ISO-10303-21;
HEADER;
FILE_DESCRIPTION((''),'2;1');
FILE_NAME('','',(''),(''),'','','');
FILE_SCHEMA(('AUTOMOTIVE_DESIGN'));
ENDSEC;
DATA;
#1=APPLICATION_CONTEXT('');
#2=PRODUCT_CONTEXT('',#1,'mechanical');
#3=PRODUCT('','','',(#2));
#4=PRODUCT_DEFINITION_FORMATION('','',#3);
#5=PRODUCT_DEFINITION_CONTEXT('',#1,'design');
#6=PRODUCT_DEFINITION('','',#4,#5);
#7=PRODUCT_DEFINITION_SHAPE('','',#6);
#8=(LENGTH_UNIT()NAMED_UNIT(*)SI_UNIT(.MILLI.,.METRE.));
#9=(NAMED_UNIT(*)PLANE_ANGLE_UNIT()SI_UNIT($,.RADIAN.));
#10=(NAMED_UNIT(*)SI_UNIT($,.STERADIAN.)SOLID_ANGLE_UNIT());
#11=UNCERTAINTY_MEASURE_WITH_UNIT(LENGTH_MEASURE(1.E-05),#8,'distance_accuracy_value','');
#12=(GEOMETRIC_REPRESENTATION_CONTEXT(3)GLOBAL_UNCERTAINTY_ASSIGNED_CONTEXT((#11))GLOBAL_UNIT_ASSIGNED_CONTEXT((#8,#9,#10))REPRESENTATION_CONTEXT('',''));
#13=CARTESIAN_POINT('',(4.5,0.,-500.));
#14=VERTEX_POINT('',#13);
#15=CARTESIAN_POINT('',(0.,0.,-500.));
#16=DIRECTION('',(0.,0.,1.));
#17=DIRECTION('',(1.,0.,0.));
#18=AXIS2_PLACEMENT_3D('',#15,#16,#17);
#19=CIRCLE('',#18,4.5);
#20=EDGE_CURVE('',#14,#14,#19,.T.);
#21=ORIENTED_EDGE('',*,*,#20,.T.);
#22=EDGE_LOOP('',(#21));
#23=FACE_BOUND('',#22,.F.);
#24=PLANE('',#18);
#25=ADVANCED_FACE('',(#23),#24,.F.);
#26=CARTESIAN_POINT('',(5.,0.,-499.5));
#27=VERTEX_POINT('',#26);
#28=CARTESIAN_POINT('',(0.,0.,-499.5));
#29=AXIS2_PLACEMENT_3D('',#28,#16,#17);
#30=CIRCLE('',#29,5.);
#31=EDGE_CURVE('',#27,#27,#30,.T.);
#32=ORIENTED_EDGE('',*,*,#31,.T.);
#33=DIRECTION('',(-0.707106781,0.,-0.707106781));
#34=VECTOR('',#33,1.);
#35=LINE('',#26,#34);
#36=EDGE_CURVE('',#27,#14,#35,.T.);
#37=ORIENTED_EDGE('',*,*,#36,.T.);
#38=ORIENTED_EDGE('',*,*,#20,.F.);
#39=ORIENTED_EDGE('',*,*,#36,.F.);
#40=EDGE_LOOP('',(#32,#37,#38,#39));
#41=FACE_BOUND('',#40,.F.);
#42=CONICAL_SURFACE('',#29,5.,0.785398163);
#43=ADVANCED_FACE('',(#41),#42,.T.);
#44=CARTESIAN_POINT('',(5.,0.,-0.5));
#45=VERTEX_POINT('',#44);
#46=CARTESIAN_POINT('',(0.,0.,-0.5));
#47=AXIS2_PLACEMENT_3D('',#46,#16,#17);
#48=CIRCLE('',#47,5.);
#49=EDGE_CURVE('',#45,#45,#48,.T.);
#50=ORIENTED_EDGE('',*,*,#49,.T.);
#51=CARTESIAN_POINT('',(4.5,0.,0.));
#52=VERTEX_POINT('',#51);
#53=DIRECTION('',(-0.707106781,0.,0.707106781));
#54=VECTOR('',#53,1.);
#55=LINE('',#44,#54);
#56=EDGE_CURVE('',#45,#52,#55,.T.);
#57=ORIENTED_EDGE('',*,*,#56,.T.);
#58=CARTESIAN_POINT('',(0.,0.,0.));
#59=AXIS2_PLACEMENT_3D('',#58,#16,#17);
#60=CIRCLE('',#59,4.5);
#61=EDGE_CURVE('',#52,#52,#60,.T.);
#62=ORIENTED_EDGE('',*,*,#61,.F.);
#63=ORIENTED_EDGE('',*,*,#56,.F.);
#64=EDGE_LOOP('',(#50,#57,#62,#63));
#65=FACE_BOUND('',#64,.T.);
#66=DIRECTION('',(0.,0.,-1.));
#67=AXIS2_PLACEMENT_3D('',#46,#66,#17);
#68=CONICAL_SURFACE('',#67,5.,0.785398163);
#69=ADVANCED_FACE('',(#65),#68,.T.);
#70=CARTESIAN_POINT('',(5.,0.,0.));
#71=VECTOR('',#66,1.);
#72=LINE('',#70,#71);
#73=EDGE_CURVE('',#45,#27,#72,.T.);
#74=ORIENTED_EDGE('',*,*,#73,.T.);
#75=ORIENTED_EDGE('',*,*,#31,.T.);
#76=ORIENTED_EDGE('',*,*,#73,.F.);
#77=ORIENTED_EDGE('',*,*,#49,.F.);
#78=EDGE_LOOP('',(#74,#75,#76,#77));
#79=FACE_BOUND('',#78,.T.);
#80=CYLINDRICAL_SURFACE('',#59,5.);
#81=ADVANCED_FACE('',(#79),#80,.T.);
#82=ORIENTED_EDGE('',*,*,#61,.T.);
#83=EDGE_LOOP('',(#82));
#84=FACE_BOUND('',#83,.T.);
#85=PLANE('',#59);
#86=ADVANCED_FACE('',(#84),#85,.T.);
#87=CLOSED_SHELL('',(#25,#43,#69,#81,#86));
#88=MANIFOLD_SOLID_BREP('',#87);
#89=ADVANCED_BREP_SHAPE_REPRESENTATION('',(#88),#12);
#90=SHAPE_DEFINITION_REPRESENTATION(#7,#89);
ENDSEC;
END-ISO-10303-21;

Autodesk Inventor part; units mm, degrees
ref_plane "YZ Plane" through (0, 0, 0) normal (1, 0, 0) x (0, 1, 0)
ref_plane "XZ Plane" through (0, 0, 0) normal (0, 1, 0) x (-1, 0, 0)
ref_plane "XY Plane" through (0, 0, 0) normal (0, 0, 1) x (1, 0, 0)
sketch "Sketch1" plane through (0, 0, 0) normal (0, 0, 1) x (1, 0, 0)
  circle A0 centre (0, 0) radius 5
  dimension "d0" = 10
extrude "Extrusion1" add sketch "Sketch1" against normal blind 500
chamfer "Chamfer1" distance 0.5 angle 45 2 edges at (-5, 0, 0) (-5, 0, -500)
properties part number "fc18-060" material "Stainless Steel"
